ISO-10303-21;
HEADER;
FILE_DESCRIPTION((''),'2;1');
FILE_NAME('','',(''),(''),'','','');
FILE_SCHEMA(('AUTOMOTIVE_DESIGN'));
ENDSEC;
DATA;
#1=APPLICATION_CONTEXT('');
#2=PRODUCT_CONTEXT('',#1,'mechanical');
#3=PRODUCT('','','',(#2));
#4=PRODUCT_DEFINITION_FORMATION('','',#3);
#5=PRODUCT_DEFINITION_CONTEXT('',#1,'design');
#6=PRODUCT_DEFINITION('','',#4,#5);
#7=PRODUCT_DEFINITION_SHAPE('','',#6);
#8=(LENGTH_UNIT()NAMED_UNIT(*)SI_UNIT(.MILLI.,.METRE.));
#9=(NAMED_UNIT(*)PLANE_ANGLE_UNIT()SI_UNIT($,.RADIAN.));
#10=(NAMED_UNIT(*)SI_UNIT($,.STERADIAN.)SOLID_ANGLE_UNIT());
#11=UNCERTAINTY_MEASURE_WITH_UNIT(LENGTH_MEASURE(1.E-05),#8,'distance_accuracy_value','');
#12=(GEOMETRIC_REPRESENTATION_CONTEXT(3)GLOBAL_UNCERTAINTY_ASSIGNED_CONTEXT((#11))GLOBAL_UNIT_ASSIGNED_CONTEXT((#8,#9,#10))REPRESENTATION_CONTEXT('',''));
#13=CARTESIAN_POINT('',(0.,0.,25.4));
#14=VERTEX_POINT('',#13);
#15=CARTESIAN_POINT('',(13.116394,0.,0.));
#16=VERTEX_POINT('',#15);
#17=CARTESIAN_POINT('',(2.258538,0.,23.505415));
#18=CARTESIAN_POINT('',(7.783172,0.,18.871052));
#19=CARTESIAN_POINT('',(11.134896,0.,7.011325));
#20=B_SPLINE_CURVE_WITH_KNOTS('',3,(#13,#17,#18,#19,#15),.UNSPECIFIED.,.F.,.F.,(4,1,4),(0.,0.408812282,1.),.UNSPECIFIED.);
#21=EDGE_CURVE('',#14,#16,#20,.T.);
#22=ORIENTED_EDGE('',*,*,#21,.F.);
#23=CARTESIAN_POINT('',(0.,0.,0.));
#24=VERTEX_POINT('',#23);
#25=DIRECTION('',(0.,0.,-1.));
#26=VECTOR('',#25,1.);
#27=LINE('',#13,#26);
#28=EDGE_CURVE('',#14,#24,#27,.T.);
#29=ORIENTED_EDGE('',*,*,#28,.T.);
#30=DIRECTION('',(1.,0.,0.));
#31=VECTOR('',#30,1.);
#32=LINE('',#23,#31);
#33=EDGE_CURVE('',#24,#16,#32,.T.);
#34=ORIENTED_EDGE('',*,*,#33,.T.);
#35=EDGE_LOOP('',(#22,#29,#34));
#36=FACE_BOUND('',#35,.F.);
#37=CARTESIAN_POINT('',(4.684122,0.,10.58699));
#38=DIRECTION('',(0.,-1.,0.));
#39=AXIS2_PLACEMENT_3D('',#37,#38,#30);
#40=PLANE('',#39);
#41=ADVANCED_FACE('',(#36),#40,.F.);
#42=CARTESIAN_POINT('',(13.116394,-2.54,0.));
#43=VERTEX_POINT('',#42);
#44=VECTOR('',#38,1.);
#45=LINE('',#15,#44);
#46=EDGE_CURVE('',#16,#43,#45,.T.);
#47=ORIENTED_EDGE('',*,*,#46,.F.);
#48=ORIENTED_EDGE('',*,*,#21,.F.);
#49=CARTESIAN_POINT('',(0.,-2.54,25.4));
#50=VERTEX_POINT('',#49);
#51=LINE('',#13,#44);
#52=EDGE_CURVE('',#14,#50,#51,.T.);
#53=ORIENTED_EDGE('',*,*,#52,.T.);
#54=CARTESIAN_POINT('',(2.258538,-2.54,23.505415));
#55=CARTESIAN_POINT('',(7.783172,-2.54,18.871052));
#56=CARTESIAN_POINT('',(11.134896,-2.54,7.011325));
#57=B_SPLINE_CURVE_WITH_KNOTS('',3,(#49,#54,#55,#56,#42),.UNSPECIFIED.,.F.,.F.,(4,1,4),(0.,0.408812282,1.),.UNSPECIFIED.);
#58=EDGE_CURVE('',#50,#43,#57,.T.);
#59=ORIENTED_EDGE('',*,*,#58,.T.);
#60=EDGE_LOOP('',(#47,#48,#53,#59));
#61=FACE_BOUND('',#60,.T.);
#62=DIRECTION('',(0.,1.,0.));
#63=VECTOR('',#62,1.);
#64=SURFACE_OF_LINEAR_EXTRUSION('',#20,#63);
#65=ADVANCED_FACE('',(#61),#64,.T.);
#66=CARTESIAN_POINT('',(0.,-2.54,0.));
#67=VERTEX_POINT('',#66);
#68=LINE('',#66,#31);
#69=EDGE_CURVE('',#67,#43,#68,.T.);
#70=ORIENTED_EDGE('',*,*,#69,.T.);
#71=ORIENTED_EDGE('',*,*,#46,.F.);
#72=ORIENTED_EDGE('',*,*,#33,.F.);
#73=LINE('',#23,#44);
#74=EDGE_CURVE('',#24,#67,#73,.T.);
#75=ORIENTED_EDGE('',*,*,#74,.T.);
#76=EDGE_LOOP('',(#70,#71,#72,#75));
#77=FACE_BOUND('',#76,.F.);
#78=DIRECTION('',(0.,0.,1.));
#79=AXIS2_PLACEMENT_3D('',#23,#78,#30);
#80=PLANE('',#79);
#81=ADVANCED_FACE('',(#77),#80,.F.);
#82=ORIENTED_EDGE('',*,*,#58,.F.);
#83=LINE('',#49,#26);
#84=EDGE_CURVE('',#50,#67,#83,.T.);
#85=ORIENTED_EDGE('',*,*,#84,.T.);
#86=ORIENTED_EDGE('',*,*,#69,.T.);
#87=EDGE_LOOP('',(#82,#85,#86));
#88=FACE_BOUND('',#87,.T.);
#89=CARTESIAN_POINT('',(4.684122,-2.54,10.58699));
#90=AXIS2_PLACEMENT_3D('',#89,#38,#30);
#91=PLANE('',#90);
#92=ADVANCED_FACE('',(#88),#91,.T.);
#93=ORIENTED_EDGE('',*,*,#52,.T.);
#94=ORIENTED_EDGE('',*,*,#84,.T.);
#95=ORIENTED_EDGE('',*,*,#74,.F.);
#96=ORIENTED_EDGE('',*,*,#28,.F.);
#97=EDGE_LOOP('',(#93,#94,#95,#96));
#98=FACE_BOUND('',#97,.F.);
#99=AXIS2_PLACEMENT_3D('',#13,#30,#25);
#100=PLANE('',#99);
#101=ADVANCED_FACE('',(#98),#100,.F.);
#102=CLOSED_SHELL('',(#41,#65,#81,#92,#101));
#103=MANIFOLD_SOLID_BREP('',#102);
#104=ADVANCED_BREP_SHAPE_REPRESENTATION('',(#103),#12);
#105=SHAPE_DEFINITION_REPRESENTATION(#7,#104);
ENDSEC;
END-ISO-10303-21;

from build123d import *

# Parameters (mm, degrees)
F1_DEPTH = 2.54


with BuildPart() as f1:
    # F0 (on Front) → F1 (new body)
    with BuildSketch(Plane.XZ):
        with BuildLine():
            Line((0, 25.4), (0, 0))
            Line((0, 0), (13.1163941696, 0))
            add(Edge.make_bspline(
                [(0, 25.4), (2.2585380942, 23.5054154729), (7.7831717521, 18.8710524426), (11.1348959755, 7.0113251257), (13.1163941696, 0)],
                knots=[0, 0, 0, 0, 0.4088122822, 1, 1, 1, 1], degree=3))
        make_face()
    extrude(amount=F1_DEPTH)


solid = f1.part
